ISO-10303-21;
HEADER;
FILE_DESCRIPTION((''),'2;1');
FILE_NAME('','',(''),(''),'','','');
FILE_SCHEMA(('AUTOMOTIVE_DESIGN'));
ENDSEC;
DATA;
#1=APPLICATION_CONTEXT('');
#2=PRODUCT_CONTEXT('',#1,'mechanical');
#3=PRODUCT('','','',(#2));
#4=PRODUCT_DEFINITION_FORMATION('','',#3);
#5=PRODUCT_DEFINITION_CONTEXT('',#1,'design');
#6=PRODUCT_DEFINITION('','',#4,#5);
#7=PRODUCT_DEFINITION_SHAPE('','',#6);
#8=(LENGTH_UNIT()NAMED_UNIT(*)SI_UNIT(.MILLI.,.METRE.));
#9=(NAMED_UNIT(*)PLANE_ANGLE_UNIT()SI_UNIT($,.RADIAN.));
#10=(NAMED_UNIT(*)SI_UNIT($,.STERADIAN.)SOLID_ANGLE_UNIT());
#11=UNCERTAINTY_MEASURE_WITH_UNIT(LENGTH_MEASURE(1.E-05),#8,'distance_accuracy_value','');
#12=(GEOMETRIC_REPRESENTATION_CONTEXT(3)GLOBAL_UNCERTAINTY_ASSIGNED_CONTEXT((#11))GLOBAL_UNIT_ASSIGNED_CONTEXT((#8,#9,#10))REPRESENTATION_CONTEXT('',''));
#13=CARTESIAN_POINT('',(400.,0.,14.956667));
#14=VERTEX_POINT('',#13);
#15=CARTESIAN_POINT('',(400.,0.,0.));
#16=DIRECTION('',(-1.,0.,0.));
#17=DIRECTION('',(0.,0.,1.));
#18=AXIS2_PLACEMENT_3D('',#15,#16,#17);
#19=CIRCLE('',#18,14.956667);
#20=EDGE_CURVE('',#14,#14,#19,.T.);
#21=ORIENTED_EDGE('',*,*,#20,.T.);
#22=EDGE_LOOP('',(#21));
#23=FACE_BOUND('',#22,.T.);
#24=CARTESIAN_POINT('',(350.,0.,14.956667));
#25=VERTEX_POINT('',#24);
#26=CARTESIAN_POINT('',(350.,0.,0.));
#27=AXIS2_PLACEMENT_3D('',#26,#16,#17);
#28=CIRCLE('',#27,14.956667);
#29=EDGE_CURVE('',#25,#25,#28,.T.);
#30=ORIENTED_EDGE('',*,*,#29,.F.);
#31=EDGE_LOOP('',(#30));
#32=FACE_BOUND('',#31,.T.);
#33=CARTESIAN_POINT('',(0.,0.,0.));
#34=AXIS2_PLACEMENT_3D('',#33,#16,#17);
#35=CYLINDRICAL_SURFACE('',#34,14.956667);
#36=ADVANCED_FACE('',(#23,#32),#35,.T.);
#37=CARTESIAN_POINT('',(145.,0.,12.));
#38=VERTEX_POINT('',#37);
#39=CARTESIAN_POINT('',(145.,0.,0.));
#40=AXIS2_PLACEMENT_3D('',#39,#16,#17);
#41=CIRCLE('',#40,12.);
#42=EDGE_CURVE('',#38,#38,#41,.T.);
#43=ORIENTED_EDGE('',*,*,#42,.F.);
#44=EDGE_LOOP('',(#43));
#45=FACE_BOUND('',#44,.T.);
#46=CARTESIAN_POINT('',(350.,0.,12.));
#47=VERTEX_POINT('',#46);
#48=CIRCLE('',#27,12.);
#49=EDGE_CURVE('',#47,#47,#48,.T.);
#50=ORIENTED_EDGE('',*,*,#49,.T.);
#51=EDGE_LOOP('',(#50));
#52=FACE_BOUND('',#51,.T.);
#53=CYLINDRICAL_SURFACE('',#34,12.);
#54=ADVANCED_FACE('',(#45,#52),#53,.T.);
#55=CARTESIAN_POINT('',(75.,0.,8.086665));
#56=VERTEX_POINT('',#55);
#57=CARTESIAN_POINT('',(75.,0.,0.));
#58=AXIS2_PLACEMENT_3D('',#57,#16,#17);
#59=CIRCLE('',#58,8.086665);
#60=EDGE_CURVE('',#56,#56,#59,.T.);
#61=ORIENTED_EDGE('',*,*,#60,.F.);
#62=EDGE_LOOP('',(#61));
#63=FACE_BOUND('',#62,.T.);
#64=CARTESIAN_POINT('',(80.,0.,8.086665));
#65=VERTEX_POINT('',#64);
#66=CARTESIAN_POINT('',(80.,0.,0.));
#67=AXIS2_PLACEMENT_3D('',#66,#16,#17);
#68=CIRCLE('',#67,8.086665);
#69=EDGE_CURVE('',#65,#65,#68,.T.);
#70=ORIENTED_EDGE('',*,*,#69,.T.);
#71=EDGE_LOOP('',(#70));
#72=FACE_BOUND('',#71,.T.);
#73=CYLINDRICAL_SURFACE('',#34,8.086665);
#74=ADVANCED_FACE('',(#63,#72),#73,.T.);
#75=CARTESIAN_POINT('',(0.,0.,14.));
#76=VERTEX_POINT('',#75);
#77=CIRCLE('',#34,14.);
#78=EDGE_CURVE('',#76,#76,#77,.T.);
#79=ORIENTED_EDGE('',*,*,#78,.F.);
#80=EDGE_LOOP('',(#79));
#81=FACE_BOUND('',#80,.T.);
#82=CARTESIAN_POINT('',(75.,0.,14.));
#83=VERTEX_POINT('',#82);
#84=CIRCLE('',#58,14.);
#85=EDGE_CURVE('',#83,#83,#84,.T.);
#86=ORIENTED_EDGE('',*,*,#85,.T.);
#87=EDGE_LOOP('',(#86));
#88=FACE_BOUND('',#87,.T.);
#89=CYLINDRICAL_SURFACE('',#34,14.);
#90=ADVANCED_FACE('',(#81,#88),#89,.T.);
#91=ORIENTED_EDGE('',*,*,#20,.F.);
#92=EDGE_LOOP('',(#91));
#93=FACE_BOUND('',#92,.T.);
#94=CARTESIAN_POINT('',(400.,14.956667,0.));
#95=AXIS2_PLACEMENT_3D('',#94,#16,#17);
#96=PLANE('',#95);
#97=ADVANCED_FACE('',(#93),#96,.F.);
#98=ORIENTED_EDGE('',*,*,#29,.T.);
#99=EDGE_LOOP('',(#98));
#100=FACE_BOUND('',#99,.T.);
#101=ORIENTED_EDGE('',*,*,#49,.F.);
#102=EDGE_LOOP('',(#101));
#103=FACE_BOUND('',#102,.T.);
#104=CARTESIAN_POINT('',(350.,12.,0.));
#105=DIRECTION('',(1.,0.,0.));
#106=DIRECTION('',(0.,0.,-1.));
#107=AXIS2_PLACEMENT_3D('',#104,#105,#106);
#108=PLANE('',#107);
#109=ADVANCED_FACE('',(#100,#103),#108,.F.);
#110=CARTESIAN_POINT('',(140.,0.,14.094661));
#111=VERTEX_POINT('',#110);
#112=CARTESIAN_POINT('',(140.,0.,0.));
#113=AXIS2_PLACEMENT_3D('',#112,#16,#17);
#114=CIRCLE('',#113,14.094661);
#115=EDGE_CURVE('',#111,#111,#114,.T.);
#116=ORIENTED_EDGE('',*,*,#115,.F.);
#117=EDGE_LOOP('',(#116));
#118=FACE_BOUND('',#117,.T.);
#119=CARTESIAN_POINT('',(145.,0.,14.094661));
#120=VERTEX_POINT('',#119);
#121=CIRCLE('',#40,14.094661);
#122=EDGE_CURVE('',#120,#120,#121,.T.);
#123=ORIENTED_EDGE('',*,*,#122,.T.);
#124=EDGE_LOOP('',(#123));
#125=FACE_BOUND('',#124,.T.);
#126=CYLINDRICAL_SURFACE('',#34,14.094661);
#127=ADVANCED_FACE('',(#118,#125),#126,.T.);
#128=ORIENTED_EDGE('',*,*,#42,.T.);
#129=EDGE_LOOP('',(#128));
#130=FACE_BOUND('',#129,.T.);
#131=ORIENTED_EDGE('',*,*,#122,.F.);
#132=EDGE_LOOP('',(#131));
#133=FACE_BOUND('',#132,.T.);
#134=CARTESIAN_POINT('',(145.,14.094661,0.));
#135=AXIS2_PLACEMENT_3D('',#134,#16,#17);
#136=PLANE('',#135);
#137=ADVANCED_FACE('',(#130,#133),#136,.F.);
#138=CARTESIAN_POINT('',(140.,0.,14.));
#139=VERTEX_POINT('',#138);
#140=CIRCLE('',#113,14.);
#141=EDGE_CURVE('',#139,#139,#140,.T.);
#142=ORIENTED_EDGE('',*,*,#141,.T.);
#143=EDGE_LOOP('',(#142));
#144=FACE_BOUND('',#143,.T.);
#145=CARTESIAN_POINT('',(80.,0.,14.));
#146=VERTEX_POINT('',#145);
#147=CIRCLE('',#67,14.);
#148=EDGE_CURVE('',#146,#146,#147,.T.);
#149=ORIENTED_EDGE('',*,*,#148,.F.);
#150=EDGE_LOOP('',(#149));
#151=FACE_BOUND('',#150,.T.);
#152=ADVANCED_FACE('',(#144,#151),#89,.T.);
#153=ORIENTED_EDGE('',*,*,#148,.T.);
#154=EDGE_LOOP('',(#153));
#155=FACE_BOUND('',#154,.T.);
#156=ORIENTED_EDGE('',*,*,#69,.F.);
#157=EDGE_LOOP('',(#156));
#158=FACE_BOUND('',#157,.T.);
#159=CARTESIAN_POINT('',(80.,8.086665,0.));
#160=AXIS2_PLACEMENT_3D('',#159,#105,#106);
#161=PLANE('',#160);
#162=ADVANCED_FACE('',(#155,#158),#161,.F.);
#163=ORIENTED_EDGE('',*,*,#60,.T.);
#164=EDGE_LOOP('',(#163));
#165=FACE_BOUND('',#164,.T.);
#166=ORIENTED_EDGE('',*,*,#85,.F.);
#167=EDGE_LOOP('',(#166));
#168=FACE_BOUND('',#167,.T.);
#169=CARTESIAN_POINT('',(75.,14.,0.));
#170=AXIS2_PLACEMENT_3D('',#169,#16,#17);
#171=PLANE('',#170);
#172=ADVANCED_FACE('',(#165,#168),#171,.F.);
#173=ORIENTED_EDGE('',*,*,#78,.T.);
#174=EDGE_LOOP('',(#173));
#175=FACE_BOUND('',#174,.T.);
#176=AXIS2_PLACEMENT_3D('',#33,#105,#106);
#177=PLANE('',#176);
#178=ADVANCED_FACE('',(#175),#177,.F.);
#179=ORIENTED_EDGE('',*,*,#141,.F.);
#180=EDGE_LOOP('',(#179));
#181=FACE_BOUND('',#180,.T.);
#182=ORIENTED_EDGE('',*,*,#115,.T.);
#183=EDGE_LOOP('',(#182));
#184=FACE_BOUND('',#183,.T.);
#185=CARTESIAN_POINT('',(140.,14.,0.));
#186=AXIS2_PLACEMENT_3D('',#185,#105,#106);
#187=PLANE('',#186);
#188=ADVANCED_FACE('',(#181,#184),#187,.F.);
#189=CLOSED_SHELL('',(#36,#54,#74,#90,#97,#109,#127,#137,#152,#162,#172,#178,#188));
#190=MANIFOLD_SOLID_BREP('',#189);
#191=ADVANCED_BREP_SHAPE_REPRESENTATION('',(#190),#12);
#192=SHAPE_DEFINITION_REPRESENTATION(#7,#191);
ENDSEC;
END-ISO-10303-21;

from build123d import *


with BuildPart() as part:
    # Sketch3 → Revolve1 (revolve)
    with BuildSketch(Plane.XY, mode=Mode.PRIVATE) as revolve1_sk:
        Polygon((0, 0), (400, 0), (400, 14.956667457), (350, 14.956667457), (350, 12), (145, 12), (145, 14.094661295), (140, 14.094661295), (140, 14), (80, 14), (80, 8.086665086), (75, 8.086665086), (75, 14), (0, 14), align=None)
    revolve(revolve1_sk.sketch.rotate(Axis((0, 0, 0), (1, 0, 0)), 90), axis=Axis((0, 0, 0), (1, 0, 0)))


solid = part.part
